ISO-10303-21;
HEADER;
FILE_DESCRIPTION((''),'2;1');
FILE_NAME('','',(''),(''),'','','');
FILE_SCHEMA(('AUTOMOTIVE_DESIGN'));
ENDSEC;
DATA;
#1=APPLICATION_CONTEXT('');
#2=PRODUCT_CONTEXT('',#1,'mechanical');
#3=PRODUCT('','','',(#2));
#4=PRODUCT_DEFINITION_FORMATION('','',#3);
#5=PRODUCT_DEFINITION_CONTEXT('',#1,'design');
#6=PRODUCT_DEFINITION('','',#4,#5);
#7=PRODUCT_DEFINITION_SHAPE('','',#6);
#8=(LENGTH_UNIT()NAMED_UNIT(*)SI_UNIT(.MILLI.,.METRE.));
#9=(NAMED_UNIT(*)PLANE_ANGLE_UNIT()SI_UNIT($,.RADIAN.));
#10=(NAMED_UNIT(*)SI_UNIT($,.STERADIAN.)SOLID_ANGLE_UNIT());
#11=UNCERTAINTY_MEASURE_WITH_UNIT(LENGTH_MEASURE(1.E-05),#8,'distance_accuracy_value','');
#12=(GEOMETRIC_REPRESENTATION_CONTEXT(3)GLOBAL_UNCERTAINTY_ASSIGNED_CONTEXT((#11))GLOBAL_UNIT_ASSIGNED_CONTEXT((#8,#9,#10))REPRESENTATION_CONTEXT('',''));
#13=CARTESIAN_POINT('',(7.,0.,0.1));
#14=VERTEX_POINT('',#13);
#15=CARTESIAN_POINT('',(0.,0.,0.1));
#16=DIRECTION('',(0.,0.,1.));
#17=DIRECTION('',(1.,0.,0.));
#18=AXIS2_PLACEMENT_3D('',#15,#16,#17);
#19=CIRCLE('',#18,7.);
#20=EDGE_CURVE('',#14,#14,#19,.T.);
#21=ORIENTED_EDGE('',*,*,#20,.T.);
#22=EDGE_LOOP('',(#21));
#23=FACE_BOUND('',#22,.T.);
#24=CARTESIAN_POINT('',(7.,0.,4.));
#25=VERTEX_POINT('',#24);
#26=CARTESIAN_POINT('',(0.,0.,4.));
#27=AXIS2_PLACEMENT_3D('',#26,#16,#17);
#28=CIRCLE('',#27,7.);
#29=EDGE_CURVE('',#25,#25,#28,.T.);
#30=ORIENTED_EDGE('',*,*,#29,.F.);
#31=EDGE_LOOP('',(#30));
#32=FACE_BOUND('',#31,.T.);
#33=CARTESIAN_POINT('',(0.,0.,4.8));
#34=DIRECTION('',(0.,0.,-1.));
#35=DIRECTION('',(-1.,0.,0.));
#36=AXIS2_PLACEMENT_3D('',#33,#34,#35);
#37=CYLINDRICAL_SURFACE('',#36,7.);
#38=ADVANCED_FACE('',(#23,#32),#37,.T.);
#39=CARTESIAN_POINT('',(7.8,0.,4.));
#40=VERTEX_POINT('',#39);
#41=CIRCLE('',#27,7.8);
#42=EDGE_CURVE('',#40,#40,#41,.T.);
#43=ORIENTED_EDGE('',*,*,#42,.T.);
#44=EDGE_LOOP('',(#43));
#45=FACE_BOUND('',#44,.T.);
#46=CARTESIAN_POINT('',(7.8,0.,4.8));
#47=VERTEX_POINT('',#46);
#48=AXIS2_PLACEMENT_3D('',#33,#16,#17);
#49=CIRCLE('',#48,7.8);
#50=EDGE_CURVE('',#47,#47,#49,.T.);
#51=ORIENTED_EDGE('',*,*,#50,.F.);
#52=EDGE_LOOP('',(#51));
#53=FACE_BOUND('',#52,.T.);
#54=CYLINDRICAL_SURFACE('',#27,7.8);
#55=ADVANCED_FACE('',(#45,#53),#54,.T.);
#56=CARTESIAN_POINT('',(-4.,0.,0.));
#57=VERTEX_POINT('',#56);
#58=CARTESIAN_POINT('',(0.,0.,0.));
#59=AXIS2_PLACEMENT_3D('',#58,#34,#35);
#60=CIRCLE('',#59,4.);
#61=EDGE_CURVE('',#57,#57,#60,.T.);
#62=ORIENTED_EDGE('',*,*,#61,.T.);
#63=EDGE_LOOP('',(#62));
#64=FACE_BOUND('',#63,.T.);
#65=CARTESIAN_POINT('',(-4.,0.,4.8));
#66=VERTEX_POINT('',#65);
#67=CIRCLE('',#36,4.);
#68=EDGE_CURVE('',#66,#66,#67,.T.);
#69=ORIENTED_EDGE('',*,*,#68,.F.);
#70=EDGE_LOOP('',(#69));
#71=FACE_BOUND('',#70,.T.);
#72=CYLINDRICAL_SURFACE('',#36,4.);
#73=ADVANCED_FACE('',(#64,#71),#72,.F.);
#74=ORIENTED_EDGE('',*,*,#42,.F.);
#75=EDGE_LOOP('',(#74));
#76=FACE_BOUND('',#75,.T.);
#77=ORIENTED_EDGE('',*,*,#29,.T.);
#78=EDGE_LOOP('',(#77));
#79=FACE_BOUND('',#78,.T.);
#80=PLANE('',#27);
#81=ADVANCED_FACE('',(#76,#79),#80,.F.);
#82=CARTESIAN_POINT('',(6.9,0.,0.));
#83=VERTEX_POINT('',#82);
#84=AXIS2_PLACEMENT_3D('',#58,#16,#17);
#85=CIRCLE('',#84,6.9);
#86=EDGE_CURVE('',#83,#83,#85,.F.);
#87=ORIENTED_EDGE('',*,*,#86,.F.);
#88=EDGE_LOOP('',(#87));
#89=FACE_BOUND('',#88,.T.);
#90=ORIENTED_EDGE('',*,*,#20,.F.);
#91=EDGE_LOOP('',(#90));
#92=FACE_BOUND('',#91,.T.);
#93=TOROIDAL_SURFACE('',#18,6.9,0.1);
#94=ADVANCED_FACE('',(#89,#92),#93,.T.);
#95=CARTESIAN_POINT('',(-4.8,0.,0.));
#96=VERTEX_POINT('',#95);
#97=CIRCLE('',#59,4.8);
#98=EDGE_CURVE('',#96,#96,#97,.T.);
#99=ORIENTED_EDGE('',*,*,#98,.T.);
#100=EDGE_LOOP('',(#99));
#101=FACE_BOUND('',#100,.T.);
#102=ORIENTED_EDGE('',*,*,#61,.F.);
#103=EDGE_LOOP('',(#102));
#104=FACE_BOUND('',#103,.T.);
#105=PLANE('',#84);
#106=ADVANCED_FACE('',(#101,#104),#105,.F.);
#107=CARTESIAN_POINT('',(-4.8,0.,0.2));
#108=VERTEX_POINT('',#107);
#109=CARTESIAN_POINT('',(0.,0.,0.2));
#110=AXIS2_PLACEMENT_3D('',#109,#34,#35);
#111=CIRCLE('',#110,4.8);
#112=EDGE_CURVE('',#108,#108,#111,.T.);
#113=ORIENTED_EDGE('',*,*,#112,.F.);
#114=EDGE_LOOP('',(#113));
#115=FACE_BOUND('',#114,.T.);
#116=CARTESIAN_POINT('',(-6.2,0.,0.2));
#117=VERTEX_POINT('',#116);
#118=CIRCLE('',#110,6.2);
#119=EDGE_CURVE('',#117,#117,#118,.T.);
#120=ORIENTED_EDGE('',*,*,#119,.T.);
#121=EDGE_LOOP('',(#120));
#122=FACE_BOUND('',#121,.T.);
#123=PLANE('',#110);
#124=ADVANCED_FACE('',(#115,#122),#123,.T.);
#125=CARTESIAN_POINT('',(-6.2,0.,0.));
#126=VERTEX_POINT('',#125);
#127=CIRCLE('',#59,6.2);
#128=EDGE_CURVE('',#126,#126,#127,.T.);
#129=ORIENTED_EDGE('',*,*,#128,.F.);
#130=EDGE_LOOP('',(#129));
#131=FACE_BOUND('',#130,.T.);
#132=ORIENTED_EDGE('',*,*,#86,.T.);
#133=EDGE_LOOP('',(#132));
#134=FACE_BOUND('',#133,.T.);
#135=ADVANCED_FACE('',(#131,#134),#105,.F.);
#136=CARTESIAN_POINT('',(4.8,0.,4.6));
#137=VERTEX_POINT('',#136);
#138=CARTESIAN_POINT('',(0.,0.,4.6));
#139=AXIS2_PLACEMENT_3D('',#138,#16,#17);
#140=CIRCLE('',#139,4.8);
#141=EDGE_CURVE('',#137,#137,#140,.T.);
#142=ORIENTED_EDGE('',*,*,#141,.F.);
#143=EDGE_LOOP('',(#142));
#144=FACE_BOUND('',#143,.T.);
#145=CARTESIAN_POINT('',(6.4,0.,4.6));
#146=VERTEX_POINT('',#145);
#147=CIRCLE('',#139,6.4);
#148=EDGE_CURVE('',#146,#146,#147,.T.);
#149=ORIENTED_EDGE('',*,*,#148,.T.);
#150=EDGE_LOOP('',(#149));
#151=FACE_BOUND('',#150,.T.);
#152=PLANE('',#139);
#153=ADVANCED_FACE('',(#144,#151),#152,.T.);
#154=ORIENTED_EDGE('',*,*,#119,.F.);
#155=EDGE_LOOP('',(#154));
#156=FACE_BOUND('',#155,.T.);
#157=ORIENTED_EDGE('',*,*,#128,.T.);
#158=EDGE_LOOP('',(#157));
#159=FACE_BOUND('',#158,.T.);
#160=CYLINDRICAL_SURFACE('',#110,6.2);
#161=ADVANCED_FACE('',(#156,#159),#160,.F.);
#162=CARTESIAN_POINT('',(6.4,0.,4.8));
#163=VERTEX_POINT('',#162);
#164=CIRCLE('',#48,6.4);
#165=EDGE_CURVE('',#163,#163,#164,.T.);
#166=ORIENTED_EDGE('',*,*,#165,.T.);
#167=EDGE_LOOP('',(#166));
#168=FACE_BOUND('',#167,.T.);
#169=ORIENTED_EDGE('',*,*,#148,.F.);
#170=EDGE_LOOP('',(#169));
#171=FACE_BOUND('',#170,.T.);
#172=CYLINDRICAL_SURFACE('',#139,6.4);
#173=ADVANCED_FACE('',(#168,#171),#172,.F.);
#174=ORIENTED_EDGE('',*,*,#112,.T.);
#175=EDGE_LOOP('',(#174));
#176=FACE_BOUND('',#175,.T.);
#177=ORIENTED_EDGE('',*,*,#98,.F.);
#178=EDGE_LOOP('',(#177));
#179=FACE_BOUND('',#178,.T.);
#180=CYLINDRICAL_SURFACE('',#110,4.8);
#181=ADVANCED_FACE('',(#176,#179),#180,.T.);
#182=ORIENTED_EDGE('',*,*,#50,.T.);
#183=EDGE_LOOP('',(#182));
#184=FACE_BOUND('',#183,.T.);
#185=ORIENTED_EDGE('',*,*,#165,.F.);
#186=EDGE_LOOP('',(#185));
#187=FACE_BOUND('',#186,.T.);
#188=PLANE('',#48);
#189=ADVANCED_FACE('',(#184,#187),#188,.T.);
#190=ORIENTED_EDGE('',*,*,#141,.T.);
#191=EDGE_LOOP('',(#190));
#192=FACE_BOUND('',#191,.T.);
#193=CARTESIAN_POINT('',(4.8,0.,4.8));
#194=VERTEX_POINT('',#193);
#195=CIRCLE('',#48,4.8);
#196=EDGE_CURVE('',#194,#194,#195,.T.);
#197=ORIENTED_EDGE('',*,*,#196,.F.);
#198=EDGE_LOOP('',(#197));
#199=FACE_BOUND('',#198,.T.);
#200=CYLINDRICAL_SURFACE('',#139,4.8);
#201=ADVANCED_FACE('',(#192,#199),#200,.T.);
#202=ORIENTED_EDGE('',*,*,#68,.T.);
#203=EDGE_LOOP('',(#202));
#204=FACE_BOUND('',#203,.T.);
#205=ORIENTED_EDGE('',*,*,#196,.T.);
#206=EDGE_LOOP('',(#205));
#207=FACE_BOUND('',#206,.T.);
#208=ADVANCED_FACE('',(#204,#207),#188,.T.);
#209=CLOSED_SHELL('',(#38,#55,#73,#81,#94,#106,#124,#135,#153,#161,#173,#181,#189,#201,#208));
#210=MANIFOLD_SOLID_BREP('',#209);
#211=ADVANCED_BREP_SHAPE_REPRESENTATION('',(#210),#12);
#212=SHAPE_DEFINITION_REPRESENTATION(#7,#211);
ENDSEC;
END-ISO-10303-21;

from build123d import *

# Parameters (mm, degrees)
SKETCH_1_R          = 7
EXTRUDE_1_DEPTH     = 4.8
SKETCH_2_R          = 7.8
EXTRUDE_2_DEPTH     = 0.8
SKETCH_3_R          = 4
CUT_EXTRUDE_1_DEPTH = 5.8
SKETCH_4_R          = 6.2
SKETCH_4_R_2        = 4.8
CUT_EXTRUDE_2_DEPTH = 0.2
SKETCH_5_R          = 6.4
SKETCH_5_R_2        = 4.8
CUT_EXTRUDE_3_DEPTH = 0.2
FILLET_1_R          = 0.1


with BuildPart() as part:
    # 草圖1 → 填料-伸長1 (new body)
    with BuildSketch(Plane.XY):
        Circle(SKETCH_1_R)
    extrude(amount=EXTRUDE_1_DEPTH)

    # 草圖2 → 填料-伸長2 (add)
    with BuildSketch(Plane.XY.offset(4.8)):
        Circle(SKETCH_2_R)
    extrude(amount=-EXTRUDE_2_DEPTH)

    # 草圖3 → 除料-伸長1 (cut, through all)
    with BuildSketch(Plane(origin=(0, 0, 0), x_dir=(-1, 0, 0), z_dir=(0, 0, -1))):
        Circle(SKETCH_3_R)
    extrude(amount=-CUT_EXTRUDE_1_DEPTH, mode=Mode.SUBTRACT)

    # 草圖4 → 除料-伸長2 (cut)
    with BuildSketch(Plane(origin=(0, 0, 0), x_dir=(-1, 0, 0), z_dir=(0, 0, -1))):
        Circle(SKETCH_4_R)
        Circle(SKETCH_4_R_2, mode=Mode.SUBTRACT)
    extrude(amount=-CUT_EXTRUDE_2_DEPTH, mode=Mode.SUBTRACT)

    # 草圖5 → 除料-伸長3 (cut)
    with BuildSketch(Plane.XY.offset(4.8)):
        Circle(SKETCH_5_R)
        Circle(SKETCH_5_R_2, mode=Mode.SUBTRACT)
    extrude(amount=-CUT_EXTRUDE_3_DEPTH, mode=Mode.SUBTRACT)

    # 圓角1
    fillet_1_edges = [part.edges().sort_by_distance(p)[0] for p in [
        (-7, 0, 0),
    ]]
    fillet(fillet_1_edges, radius=FILLET_1_R)


solid = part.part
